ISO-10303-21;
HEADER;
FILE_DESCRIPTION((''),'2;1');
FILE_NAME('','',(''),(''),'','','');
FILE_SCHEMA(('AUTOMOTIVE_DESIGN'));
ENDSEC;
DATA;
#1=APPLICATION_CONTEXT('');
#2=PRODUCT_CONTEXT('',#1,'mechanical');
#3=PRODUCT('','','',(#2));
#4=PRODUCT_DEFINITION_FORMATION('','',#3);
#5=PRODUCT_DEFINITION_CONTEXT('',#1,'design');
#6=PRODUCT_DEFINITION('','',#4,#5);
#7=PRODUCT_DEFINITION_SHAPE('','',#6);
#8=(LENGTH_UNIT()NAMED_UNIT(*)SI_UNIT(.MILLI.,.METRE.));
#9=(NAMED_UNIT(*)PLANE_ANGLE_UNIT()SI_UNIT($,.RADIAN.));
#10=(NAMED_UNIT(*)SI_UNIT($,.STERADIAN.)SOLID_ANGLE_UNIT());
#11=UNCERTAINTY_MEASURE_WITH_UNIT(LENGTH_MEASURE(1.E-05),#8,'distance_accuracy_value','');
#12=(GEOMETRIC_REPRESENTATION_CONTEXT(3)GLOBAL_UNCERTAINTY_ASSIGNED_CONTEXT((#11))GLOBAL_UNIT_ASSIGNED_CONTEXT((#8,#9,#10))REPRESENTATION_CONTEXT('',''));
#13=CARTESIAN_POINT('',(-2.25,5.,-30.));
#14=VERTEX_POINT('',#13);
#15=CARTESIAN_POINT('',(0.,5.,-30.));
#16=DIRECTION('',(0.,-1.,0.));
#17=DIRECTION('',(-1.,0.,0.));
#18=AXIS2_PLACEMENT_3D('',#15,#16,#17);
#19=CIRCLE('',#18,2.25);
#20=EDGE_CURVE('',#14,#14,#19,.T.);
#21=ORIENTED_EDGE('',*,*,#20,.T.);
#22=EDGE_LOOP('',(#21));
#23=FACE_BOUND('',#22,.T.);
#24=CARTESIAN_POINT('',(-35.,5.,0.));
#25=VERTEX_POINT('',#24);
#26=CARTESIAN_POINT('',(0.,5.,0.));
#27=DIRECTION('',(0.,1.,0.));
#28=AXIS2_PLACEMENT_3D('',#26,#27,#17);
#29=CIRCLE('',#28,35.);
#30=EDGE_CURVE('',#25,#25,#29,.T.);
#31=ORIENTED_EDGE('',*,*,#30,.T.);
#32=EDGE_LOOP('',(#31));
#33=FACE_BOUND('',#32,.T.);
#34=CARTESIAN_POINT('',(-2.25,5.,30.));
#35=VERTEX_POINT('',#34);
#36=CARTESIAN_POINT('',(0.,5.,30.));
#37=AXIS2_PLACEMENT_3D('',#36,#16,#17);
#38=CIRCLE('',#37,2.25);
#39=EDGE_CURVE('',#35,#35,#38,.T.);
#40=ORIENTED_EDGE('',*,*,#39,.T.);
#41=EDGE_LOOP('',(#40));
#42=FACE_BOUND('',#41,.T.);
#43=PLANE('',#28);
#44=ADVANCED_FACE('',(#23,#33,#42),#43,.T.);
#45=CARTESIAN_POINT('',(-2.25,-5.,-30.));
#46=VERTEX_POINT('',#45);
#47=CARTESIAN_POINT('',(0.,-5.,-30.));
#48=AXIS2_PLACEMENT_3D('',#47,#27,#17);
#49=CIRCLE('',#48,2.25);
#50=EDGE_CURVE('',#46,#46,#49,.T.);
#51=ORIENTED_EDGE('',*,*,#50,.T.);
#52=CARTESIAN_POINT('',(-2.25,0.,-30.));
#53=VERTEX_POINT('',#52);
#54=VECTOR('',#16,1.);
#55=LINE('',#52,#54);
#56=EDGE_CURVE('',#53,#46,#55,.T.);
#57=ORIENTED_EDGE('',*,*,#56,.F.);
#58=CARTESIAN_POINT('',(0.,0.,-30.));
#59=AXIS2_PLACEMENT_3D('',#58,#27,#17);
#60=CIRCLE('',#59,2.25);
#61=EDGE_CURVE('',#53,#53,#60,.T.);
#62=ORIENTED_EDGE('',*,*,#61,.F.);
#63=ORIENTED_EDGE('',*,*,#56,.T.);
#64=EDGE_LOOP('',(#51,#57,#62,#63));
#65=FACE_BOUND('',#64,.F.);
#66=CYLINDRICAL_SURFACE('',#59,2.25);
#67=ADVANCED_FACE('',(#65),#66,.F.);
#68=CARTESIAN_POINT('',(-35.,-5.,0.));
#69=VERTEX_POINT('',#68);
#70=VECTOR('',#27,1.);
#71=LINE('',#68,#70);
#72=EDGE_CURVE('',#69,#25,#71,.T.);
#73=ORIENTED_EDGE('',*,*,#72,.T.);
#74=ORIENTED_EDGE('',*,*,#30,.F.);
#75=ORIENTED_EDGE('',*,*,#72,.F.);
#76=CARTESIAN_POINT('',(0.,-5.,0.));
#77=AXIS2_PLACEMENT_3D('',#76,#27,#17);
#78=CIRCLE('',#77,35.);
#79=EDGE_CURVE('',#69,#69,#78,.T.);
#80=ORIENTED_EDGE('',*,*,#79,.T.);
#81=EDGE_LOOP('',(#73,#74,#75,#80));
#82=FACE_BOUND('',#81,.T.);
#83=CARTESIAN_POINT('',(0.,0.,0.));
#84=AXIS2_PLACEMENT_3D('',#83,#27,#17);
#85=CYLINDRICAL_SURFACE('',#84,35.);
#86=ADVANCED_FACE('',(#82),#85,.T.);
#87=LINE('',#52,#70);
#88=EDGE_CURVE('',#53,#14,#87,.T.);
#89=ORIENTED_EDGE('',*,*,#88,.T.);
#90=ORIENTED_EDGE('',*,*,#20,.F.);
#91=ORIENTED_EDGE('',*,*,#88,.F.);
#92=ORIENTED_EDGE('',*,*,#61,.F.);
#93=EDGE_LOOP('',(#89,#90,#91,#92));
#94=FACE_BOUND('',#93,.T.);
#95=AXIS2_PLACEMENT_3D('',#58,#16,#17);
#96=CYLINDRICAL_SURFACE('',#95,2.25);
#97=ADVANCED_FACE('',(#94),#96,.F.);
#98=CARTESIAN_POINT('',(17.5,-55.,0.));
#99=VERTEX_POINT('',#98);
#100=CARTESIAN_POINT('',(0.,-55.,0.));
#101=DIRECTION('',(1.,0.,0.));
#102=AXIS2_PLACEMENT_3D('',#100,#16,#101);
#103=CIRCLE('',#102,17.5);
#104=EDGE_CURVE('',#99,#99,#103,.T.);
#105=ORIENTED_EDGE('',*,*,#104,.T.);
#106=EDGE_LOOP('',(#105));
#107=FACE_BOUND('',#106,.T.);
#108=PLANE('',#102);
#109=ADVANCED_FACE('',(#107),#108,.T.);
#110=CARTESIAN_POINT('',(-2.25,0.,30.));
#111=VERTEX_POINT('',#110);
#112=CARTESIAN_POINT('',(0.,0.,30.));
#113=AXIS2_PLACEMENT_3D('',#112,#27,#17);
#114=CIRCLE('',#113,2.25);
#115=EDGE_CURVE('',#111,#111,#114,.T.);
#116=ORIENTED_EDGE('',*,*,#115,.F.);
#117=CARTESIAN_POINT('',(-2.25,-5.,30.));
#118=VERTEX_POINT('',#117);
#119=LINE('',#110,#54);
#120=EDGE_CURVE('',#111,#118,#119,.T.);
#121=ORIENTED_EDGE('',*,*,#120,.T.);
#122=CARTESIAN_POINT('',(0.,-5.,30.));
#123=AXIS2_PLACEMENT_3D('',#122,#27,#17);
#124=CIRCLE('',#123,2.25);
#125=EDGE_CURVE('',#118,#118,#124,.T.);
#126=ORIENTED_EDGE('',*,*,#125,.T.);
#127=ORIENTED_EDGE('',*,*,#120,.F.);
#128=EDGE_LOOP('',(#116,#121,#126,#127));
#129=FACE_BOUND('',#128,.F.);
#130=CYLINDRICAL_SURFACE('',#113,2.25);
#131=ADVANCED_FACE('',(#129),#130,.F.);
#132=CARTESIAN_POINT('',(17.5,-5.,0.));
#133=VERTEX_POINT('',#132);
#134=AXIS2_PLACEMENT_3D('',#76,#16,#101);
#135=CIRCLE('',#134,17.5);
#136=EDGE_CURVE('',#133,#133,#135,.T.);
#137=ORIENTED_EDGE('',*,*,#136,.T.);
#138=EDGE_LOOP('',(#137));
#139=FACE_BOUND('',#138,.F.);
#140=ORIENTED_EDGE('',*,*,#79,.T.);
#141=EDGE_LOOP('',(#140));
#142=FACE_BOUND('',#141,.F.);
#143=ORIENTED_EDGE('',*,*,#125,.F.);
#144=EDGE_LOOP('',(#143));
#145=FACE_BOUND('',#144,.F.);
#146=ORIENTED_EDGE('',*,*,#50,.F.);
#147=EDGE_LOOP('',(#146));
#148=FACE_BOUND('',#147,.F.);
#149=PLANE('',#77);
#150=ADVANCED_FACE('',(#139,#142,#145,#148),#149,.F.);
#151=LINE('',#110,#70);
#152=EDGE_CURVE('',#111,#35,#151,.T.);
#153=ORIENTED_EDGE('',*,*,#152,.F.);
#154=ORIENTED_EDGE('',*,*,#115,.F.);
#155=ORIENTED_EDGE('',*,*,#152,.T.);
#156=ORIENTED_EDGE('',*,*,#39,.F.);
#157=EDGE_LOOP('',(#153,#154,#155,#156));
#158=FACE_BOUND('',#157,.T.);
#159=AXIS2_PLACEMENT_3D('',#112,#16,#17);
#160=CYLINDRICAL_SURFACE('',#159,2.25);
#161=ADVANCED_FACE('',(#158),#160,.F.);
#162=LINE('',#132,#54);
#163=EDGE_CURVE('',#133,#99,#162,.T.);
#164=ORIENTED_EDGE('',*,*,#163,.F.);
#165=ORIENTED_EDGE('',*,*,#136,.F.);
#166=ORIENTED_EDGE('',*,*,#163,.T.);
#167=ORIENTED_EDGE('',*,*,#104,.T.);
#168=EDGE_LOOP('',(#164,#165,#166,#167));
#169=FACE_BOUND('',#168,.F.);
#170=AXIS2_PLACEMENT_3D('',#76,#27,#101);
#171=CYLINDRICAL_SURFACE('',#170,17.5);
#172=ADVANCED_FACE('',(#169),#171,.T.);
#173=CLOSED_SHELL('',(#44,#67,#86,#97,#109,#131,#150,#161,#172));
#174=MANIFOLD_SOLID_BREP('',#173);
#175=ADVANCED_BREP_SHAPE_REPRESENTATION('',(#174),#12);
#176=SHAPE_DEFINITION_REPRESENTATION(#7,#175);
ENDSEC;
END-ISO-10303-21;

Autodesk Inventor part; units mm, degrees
ref_plane "YZ Plane" through (0, 0, 0) normal (1, 0, 0) x (0, 1, 0)
ref_plane "XZ Plane" through (0, 0, 0) normal (0, 1, 0) x (-1, 0, 0)
ref_plane "XY Plane" through (0, 0, 0) normal (0, 0, 1) x (1, 0, 0)
sketch "Sketch1" plane through (0, 0, 0) normal (0, 1, 0) x (-1, 0, 0)
  circle A0 centre (0, 0) radius 35
  circle A1 centre (0, 0) radius 30
  circle A2 centre (0, -30) radius 2.25
  circle A3 centre (0, 30) radius 2.25
  dimension "d0" = 70
  dimension "d1" = 60
  dimension "d2" = 4.5
  dimension "d3" = 4.5
extrude "Extrusion1" add sketch "Sketch1" along normal mid plane 10 contours A0 | A1 A2 A3
sketch "Sketch2" plane through (0, -5, 0) normal (0, -1, 0) x (1, 0, 0)
  circle A0 centre (0, 0) radius 17.5
  dimension "d6" = 35
extrude "Extrusion2" add sketch "Sketch2" along normal blind 50
properties part number "Adapter Plate"
